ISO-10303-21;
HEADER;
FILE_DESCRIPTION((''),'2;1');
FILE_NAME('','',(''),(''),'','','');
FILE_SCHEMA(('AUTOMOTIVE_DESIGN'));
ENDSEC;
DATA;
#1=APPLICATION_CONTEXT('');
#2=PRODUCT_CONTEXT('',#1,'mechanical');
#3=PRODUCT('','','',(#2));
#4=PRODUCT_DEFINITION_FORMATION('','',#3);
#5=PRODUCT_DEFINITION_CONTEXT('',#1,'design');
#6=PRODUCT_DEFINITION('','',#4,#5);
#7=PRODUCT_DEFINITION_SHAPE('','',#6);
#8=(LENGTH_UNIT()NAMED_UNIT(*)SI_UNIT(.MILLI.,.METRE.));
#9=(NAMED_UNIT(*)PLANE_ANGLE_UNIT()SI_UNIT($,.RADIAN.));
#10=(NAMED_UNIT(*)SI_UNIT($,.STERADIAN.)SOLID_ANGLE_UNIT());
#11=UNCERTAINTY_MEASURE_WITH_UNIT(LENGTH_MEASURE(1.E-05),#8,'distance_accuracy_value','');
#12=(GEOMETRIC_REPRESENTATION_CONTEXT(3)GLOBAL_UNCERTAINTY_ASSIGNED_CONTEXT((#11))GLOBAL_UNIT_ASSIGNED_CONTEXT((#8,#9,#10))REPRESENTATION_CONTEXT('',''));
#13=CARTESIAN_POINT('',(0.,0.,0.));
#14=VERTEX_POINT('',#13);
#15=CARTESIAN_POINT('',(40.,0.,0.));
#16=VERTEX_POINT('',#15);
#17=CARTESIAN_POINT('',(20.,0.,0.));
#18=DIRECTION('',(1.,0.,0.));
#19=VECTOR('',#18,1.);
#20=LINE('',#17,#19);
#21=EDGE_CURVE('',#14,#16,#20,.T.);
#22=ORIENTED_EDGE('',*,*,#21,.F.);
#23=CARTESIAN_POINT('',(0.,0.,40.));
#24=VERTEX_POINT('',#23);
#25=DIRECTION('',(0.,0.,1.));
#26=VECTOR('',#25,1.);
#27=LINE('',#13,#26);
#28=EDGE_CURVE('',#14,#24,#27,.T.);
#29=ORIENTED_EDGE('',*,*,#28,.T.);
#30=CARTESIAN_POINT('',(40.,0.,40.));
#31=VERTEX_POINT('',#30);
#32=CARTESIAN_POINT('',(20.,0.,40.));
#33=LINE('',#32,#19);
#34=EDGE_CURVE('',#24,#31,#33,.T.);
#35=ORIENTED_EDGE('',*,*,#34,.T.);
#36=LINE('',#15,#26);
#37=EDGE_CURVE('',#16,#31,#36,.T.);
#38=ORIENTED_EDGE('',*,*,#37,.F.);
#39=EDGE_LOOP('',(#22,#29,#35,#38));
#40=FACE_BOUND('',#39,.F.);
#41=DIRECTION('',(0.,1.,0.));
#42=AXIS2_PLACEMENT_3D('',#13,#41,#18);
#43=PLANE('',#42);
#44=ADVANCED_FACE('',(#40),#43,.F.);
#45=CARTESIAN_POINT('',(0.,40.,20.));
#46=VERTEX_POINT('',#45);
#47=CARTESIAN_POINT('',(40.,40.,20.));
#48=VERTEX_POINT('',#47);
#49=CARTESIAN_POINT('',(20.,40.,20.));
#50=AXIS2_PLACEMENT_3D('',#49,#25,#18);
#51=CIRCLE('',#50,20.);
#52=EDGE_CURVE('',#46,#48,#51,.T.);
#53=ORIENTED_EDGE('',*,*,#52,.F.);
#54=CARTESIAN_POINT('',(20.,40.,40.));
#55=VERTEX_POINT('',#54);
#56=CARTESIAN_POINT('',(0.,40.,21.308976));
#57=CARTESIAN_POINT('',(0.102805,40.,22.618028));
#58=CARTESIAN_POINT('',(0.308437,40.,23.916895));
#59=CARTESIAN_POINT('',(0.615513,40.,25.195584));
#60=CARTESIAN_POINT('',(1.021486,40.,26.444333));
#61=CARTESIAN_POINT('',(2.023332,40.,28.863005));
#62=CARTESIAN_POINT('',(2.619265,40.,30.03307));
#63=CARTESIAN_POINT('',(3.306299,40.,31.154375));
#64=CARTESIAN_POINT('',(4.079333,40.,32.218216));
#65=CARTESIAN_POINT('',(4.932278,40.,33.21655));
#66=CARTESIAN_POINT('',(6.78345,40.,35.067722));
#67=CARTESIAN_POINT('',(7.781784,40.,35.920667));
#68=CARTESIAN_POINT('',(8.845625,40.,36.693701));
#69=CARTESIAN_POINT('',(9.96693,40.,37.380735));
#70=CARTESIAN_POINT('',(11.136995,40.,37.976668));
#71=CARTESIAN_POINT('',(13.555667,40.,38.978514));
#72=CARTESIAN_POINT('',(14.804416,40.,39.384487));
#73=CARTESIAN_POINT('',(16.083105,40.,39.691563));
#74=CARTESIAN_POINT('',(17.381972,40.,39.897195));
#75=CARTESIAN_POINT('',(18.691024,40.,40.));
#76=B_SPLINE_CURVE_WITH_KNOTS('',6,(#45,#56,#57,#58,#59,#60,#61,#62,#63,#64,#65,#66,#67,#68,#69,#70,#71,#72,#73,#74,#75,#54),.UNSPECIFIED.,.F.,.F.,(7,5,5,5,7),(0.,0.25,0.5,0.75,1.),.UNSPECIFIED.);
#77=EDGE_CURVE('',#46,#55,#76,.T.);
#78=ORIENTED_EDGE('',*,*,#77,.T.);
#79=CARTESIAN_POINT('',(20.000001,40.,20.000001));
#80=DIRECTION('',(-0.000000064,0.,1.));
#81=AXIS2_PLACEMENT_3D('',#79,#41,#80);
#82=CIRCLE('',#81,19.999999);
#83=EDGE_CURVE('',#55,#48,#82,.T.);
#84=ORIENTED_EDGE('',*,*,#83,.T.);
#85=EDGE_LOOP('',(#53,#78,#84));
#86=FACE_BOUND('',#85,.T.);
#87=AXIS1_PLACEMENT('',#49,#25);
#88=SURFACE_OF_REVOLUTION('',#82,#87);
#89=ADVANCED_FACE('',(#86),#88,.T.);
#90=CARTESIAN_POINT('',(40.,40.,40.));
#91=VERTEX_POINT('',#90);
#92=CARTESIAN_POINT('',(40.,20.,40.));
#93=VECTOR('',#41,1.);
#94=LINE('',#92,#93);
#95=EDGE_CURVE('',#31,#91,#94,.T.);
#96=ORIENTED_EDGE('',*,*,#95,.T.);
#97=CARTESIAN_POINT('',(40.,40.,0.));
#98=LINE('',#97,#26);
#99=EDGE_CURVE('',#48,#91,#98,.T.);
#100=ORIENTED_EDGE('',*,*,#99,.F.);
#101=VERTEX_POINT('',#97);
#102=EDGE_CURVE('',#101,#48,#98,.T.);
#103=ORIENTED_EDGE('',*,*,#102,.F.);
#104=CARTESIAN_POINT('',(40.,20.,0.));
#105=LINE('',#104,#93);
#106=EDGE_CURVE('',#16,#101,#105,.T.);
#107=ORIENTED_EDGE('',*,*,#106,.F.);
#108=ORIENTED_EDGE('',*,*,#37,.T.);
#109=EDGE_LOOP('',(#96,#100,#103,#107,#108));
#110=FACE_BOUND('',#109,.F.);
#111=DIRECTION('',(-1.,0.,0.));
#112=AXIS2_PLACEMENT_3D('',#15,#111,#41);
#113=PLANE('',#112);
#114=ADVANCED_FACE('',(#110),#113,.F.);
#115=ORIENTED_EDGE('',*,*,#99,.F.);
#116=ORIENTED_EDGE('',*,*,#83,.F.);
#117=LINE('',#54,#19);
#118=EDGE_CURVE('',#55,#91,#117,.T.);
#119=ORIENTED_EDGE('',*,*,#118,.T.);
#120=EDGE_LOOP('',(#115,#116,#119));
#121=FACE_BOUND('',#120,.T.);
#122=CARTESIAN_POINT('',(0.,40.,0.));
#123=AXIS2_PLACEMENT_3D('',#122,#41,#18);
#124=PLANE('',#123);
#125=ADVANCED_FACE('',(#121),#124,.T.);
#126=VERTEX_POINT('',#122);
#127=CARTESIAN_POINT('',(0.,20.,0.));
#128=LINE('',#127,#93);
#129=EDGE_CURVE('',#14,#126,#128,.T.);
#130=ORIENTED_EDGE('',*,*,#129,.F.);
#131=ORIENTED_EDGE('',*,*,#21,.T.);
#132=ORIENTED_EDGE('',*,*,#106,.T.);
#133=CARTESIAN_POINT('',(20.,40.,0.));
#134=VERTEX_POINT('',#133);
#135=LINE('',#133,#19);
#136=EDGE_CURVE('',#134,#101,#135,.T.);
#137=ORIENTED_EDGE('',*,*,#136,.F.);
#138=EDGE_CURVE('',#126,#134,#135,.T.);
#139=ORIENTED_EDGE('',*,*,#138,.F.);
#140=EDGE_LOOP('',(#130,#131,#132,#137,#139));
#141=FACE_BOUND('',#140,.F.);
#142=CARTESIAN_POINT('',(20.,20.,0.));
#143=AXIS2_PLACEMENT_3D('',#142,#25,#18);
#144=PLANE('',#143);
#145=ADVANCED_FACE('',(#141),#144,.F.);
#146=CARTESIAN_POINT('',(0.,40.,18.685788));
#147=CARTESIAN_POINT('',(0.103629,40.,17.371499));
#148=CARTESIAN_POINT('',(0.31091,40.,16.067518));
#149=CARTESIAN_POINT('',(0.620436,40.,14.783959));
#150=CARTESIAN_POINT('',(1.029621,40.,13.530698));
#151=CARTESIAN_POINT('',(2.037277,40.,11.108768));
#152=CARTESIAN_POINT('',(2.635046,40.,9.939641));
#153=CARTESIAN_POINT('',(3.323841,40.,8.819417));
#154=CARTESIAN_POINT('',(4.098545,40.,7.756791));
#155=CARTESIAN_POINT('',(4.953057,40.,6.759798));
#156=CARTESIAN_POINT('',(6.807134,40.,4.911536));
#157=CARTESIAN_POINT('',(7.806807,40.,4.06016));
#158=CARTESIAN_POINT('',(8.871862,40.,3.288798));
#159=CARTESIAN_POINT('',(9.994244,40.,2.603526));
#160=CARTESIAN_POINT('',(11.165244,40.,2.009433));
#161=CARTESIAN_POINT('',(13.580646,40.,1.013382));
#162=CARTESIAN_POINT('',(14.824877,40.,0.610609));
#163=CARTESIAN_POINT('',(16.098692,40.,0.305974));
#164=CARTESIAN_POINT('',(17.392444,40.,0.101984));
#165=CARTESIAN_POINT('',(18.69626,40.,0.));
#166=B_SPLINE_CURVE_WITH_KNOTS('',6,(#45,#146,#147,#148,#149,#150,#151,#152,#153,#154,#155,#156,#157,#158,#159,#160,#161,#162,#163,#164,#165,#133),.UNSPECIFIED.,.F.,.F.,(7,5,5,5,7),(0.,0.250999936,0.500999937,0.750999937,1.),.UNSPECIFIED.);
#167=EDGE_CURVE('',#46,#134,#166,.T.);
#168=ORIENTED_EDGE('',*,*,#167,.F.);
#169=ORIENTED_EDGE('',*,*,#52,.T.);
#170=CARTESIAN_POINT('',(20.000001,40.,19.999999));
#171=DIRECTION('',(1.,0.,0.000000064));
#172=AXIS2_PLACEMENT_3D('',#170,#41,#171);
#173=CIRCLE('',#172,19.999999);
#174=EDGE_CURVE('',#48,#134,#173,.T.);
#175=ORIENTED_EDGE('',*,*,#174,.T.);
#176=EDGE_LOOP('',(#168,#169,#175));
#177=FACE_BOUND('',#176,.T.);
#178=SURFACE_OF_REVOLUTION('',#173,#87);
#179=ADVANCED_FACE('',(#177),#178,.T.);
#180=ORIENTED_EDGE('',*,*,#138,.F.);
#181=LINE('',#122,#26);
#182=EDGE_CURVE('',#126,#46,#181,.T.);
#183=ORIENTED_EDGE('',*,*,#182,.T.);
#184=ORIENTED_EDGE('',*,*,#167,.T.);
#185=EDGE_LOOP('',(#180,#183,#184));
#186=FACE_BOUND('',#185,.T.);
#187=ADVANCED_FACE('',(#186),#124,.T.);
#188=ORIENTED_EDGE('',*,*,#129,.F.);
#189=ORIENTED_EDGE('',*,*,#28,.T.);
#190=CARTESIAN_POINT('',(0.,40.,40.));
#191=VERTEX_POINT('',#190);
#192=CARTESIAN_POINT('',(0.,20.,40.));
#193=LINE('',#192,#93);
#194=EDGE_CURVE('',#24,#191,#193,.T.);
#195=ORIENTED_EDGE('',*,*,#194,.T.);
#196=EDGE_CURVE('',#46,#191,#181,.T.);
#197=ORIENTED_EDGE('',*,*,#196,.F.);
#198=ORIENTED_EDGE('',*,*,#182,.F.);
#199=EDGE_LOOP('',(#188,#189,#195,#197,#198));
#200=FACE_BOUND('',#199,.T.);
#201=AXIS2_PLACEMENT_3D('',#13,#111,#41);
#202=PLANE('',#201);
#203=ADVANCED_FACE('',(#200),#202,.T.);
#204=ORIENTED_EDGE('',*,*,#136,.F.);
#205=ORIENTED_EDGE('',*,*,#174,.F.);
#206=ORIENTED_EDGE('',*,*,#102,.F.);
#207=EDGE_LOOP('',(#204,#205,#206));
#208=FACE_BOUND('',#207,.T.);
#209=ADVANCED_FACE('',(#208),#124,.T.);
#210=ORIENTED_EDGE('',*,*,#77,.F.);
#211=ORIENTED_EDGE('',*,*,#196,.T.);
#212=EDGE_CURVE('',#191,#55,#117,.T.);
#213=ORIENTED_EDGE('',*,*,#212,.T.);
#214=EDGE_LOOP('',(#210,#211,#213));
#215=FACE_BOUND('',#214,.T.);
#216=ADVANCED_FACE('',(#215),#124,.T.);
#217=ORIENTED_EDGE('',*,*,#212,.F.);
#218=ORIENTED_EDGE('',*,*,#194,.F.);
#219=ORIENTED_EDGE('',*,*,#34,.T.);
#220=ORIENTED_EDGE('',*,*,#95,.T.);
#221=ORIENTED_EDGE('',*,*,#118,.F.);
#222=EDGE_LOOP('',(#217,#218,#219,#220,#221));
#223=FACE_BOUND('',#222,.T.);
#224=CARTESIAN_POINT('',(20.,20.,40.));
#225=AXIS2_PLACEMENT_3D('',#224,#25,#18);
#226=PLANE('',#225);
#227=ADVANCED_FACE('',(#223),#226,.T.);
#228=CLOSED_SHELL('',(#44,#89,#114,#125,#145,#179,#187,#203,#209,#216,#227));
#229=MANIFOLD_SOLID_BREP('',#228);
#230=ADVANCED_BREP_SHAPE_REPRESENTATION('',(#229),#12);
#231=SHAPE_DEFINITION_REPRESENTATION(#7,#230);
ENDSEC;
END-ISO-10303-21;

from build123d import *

# Parameters (mm, degrees)
F0_W     = 40
F0_H     = 40
F1_DEPTH = 40


with BuildPart() as f1:
    # F0 (on Top) → F1 (new body)
    with BuildSketch(Plane.XY):
        with Locations((20, 20)):
            Rectangle(F0_W, F0_H)
    extrude(amount=F1_DEPTH)

    # F2 (on face) → F3 (revolve, cut)
    with BuildSketch(Plane(origin=(0, 40, 0), x_dir=(-1, 0, 0), z_dir=(0, 1, 0))):
        with BuildLine():
            ThreePointArc((-40, 20), (-34.142136, 5.857864), (-20, 0))
            Line((-20, 0), (-20, 40))
            ThreePointArc((-20, 40), (-34.142136, 34.142136), (-40, 20))
        make_face()
    revolve(axis=Axis((20, 40, 20), (0, 0, 1)), mode=Mode.SUBTRACT)


solid = f1.part
